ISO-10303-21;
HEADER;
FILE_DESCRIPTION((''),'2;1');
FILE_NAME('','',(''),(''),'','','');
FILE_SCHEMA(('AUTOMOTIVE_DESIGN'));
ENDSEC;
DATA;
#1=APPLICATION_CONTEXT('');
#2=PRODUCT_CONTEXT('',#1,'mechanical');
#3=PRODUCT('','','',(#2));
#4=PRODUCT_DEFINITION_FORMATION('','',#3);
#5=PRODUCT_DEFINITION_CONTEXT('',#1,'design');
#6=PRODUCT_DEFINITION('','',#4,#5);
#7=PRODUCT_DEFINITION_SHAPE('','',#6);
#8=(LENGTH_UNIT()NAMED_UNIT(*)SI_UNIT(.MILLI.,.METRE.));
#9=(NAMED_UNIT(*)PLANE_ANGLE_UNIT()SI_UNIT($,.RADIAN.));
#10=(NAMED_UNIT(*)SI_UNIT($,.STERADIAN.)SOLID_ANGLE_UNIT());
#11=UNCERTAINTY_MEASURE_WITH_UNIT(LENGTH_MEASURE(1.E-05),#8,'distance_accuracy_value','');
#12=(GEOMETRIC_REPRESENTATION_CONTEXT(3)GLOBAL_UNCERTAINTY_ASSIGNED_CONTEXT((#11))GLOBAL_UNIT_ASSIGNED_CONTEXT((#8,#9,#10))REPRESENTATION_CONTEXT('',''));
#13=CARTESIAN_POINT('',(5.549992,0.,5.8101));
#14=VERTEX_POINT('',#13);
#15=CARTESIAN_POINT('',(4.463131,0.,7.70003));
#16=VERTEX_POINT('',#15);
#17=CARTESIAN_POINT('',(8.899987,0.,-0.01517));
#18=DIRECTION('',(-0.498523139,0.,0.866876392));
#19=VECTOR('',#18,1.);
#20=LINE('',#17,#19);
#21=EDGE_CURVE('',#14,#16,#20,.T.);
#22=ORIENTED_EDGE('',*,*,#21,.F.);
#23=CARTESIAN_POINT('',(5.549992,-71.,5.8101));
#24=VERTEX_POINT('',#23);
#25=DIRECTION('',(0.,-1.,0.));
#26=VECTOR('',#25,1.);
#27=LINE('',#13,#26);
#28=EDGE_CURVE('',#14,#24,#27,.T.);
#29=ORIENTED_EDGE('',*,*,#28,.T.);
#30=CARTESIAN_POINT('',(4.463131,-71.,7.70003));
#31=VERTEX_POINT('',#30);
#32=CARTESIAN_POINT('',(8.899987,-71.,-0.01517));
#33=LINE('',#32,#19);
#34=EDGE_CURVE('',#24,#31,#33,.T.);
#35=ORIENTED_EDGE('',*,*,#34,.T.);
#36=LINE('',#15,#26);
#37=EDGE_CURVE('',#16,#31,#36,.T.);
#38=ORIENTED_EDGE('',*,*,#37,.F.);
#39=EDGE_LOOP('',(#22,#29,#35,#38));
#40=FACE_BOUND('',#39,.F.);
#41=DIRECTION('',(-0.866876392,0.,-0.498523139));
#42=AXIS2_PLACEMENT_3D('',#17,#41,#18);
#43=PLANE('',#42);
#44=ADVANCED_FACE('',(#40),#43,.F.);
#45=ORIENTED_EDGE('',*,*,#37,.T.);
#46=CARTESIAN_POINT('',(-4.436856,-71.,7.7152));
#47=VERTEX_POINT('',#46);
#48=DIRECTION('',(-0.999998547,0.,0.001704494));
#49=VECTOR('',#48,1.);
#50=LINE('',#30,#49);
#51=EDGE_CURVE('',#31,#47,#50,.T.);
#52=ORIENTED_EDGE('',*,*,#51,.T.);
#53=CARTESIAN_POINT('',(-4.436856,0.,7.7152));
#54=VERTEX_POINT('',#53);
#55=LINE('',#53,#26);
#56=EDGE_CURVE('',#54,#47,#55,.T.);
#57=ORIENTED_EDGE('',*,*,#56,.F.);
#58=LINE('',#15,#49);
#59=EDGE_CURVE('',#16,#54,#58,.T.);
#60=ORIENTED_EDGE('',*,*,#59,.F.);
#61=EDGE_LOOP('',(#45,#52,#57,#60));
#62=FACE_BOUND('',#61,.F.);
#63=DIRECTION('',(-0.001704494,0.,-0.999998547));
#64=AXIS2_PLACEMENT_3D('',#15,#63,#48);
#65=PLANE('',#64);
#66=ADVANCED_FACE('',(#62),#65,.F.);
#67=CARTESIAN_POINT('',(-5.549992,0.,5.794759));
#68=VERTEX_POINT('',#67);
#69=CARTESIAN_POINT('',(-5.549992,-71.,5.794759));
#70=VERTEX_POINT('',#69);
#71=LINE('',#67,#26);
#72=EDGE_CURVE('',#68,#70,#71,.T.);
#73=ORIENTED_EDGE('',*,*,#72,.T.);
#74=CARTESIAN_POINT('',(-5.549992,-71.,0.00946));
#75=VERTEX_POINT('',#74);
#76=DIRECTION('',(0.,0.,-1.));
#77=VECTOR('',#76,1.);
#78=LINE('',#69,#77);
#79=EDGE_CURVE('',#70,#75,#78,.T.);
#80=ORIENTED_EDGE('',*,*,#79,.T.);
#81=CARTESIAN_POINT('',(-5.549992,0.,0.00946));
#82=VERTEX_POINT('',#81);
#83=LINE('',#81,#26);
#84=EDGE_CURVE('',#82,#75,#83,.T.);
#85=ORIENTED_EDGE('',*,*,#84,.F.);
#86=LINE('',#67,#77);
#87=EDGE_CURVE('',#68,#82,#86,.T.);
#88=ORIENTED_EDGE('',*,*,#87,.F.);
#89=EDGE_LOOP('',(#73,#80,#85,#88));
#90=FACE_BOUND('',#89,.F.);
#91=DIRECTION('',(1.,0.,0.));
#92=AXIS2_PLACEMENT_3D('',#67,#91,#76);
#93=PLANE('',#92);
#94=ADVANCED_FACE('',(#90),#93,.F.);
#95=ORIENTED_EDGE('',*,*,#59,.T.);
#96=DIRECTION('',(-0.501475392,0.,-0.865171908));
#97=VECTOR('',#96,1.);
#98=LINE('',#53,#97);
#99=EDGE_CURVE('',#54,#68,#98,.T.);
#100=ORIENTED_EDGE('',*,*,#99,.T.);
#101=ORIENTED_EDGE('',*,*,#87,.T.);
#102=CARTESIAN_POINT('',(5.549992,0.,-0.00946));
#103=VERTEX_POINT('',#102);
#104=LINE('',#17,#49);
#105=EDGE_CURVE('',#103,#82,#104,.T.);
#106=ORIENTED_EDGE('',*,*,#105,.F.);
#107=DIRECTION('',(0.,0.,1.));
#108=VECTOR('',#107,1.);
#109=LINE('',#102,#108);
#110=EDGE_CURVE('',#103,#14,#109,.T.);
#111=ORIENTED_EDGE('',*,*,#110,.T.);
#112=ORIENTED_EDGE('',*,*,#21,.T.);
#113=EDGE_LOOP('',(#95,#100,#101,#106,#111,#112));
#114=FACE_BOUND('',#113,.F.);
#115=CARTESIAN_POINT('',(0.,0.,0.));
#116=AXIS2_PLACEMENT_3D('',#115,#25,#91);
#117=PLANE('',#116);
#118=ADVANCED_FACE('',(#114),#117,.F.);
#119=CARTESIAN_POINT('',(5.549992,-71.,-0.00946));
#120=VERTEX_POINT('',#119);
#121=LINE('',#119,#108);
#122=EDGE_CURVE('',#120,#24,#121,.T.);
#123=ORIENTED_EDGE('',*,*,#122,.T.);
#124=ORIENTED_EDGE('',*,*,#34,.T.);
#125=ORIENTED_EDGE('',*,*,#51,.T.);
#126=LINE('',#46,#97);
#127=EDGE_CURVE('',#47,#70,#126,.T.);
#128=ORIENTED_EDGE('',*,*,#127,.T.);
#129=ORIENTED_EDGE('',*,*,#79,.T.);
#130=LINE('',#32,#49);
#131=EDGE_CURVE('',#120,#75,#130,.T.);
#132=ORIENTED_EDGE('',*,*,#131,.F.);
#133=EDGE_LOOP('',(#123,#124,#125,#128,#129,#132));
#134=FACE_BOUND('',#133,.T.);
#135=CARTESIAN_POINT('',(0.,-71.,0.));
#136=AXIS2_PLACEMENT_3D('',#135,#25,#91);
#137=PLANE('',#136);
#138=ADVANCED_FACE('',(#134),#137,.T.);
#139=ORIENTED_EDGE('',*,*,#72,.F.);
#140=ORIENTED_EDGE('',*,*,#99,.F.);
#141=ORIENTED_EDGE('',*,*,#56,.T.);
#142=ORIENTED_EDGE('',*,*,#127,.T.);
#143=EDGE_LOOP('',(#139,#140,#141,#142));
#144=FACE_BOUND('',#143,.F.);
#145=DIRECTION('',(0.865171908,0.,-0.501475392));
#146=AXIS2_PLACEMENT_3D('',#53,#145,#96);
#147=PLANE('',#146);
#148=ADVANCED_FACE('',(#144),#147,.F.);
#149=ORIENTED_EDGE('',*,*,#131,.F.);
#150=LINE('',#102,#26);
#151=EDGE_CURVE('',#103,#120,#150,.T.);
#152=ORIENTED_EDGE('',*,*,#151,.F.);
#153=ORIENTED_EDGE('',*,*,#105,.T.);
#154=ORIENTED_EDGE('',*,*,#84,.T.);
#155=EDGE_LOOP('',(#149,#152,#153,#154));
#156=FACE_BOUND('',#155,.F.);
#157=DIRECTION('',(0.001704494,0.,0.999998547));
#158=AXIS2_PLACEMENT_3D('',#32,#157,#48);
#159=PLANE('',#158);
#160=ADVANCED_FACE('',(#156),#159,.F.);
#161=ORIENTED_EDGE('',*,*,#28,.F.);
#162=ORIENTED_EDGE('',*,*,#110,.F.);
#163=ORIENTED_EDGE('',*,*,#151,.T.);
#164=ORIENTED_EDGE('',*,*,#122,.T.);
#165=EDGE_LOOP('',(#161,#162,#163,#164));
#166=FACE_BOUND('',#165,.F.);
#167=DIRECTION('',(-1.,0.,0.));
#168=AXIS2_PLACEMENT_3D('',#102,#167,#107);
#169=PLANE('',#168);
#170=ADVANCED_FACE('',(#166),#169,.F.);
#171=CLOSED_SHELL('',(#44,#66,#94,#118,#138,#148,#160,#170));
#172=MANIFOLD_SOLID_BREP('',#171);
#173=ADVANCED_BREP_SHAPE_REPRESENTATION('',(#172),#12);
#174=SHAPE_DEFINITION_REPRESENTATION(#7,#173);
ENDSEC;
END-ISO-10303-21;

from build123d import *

# Parameters (mm, degrees)
F1_DEPTH = 71
F3_DEPTH = 71
F5_DEPTH = 71


with BuildPart() as f1:
    # F0 (on Front) → F1 (new body)
    with BuildSketch(Plane.XZ):
        Polygon((8.899987, -0.01517), (4.463131, 7.70003), (-4.436856, 7.7152), (-8.899987, 0.01517), (-4.463131, -7.70003), (4.436856, -7.7152), align=None)
    extrude(amount=F1_DEPTH)

    # F2 (on face) → F3 (cut)
    with BuildSketch(Plane.XZ.offset(71)):
        Polygon((8.899987, -0.01517), (-8.899987, 0.01517), (-4.463131, -7.70003), (4.436856, -7.7152), align=None)
    extrude(amount=-F3_DEPTH, mode=Mode.SUBTRACT)

    # F4 (on face) → F5 (cut)
    with BuildSketch(Plane(origin=(0, 0, 0), x_dir=(-1, 0, 0), z_dir=(0, 1, 0))):
        Polygon((-5.549992, 5.8101), (-8.899987, -0.01517), (-5.549992, -0.00946), align=None)
        Polygon((5.549992, 0.00946), (8.899987, 0.01517), (5.549992, 5.794759), align=None)
    extrude(amount=-F5_DEPTH, mode=Mode.SUBTRACT)


solid = f1.part
